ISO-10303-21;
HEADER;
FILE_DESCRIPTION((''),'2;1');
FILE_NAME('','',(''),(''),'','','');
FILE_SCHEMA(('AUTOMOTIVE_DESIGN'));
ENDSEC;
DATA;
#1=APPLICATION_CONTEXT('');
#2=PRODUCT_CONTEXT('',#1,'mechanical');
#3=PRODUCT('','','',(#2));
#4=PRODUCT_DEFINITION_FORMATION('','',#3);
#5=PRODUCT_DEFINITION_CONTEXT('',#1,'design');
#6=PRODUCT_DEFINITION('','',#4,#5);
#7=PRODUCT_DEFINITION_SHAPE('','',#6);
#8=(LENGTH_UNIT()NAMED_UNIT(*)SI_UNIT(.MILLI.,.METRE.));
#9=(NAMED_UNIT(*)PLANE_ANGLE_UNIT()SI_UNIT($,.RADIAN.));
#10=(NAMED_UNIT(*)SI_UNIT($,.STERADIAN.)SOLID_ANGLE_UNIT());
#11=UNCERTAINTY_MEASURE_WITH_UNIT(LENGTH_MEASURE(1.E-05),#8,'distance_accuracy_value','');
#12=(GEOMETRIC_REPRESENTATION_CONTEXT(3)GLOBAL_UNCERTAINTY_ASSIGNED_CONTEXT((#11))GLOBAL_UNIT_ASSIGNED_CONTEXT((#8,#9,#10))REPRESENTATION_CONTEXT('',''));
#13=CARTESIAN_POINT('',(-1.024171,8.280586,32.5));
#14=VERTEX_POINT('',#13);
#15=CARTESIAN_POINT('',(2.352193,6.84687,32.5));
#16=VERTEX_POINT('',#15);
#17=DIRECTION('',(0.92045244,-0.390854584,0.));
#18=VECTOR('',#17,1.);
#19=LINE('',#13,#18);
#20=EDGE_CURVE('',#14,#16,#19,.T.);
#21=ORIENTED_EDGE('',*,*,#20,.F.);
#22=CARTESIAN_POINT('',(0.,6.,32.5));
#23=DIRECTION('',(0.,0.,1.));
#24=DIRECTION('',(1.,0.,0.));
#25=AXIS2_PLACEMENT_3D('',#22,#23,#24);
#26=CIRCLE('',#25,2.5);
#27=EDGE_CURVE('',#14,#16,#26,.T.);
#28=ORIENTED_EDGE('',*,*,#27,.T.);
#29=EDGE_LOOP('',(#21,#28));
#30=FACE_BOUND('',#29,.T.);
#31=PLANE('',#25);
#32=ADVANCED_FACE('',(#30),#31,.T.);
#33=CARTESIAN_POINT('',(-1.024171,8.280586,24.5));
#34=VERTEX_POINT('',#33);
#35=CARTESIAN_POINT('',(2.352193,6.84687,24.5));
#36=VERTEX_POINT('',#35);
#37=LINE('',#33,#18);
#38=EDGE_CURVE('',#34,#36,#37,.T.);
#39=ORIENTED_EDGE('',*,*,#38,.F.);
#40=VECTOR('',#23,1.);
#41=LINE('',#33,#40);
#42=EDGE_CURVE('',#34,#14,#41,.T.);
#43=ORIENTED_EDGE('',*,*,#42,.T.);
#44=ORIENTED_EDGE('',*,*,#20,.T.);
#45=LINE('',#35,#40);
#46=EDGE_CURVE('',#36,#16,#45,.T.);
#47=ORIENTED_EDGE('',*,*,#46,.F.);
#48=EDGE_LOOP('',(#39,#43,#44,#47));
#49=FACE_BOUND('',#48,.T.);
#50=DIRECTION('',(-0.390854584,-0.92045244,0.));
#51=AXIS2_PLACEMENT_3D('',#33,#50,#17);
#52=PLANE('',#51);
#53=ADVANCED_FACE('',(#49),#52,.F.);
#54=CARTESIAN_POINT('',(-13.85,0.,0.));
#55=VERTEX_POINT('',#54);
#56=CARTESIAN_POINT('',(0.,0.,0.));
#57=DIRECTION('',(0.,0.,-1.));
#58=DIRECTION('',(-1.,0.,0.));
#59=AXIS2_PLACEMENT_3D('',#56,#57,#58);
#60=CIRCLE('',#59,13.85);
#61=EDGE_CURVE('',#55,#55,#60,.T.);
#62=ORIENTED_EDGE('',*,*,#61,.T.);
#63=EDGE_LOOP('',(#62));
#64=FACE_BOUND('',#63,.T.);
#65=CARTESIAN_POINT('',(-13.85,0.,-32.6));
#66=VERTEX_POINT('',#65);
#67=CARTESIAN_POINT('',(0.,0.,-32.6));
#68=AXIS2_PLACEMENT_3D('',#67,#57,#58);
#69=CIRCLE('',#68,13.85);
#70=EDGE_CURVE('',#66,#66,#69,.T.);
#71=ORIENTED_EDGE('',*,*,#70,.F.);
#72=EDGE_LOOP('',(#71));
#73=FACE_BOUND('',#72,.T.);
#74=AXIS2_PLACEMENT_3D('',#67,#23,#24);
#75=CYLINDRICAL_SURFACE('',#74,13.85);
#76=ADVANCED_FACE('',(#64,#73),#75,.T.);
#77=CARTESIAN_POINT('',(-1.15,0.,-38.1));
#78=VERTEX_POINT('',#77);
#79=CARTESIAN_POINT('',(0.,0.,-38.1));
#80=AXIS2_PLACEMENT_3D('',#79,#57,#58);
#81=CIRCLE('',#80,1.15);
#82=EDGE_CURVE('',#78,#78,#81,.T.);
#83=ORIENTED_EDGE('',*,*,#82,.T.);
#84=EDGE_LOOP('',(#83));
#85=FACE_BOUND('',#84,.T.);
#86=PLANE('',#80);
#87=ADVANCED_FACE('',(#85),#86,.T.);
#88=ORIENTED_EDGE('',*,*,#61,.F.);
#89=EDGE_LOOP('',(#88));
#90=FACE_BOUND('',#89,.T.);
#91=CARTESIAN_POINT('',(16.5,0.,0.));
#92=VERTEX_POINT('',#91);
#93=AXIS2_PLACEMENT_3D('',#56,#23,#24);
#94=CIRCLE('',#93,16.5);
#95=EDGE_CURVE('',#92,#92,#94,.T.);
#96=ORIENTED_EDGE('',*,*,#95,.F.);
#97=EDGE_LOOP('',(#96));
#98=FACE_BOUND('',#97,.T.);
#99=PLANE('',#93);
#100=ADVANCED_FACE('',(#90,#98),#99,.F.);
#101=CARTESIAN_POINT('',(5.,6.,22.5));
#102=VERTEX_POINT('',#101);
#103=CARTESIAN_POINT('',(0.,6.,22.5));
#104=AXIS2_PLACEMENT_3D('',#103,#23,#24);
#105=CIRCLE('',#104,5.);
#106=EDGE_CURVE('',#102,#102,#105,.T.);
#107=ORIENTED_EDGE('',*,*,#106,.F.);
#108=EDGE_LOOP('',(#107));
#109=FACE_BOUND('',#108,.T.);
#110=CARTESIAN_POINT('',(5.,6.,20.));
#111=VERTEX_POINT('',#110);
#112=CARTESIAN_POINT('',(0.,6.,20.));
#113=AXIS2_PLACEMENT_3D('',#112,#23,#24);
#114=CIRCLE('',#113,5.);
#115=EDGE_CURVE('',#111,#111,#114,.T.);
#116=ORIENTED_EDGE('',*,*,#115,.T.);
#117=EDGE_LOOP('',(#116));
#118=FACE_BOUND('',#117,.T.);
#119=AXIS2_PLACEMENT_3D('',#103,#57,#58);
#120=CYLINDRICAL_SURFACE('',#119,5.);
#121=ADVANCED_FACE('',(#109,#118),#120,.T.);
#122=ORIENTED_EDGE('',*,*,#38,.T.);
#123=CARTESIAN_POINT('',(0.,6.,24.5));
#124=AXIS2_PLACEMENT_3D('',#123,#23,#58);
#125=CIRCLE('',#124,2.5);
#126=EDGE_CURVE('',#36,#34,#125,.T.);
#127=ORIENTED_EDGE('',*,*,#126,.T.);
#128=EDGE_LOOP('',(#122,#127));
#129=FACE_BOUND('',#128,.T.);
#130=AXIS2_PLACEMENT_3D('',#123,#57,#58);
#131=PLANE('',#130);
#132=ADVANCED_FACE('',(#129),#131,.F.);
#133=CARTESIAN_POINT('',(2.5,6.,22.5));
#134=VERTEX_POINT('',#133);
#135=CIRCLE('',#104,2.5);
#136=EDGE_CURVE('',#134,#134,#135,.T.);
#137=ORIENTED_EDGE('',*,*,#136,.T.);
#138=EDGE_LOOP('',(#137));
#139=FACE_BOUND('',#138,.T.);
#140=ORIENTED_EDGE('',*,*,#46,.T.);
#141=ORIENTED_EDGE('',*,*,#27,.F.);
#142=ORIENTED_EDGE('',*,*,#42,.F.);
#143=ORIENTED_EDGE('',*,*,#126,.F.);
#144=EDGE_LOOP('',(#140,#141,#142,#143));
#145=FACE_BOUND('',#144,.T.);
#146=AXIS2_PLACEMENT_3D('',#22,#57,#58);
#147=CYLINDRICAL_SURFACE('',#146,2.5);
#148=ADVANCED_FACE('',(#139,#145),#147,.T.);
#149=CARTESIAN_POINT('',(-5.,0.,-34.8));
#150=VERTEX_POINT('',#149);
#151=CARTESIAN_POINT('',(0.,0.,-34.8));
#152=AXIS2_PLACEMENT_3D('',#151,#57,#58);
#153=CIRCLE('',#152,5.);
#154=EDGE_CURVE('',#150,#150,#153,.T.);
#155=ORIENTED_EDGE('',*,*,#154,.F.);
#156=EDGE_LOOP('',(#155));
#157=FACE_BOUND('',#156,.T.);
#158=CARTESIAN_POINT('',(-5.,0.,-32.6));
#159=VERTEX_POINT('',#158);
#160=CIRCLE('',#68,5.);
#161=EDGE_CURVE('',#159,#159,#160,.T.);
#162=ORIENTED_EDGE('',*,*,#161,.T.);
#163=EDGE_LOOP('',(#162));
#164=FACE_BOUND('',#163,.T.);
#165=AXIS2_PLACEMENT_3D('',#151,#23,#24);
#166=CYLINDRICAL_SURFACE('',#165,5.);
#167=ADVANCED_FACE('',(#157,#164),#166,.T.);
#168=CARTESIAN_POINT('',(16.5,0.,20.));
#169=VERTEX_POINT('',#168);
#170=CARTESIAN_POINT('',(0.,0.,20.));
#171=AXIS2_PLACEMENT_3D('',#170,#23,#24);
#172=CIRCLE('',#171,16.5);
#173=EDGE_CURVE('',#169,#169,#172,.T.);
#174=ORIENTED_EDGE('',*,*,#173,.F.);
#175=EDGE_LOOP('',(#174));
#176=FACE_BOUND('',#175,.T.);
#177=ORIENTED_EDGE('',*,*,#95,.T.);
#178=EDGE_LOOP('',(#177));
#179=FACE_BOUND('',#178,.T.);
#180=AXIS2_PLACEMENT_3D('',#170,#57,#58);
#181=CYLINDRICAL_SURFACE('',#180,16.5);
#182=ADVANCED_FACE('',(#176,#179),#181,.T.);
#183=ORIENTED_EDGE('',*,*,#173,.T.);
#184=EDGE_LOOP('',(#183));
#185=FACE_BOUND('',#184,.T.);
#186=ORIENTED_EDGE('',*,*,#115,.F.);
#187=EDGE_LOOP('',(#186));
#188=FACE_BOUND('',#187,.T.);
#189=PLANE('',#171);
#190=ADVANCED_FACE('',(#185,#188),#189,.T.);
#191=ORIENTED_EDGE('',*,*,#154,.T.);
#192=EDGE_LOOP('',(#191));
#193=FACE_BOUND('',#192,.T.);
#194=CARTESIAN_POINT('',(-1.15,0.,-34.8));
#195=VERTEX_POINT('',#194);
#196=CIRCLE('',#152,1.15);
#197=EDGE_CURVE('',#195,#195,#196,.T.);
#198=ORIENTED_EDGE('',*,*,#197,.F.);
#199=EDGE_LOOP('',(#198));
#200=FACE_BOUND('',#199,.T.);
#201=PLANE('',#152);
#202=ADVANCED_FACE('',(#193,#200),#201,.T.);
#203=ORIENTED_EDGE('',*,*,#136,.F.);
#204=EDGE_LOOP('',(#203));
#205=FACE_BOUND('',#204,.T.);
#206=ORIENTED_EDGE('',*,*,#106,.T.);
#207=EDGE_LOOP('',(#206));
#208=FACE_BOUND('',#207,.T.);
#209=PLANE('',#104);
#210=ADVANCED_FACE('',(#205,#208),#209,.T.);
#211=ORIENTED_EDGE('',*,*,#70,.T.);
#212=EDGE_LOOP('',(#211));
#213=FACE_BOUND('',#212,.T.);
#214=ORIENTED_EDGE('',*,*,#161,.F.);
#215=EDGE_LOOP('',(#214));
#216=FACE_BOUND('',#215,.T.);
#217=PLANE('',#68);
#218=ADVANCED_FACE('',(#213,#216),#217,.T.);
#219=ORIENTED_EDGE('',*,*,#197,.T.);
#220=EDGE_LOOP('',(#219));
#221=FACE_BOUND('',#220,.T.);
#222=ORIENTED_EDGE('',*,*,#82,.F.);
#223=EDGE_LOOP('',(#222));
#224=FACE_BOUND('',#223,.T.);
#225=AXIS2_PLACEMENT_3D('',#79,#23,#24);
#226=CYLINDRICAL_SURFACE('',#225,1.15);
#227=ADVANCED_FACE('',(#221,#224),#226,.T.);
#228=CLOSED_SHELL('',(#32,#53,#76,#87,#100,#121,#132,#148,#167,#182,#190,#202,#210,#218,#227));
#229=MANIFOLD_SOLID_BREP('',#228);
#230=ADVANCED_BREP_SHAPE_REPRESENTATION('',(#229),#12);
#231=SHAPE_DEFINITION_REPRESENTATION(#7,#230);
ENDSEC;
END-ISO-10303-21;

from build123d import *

# Parameters (mm, degrees)
SKETCH1_R           = 16.5
BOSS_EXTRUDE1_DEPTH = 20
SKETCH2_R           = 13.85
BOSS_EXTRUDE2_DEPTH = 32.6
SKETCH3_R           = 5
BOSS_EXTRUDE3_DEPTH = 2.2
SKETCH4_R           = 1.15
BOSS_EXTRUDE4_DEPTH = 3.3
SKETCH5_R           = 5
BOSS_EXTRUDE5_DEPTH = 2.5
SKETCH6_R           = 2.5
BOSS_EXTRUDE6_DEPTH = 10
CUT_EXTRUDE1_START  = -8
CUT_EXTRUDE1_DEPTH  = 8


with BuildPart() as part:
    # Sketch1 → Boss-Extrude1 (new body)
    with BuildSketch(Plane.XY):
        Circle(SKETCH1_R)
    extrude(amount=BOSS_EXTRUDE1_DEPTH)

    # Sketch2 → Boss-Extrude2 (add)
    with BuildSketch(Plane(origin=(0, 0, 0), x_dir=(-1, 0, 0), z_dir=(0, 0, -1))):
        Circle(SKETCH2_R)
    extrude(amount=BOSS_EXTRUDE2_DEPTH)

    # Sketch3 → Boss-Extrude3 (add)
    with BuildSketch(Plane(origin=(0, 0, -32.6), x_dir=(-1, 0, 0), z_dir=(0, 0, -1))):
        Circle(SKETCH3_R)
    extrude(amount=BOSS_EXTRUDE3_DEPTH)

    # Sketch4 → Boss-Extrude4 (add)
    with BuildSketch(Plane(origin=(0, 0, -34.8), x_dir=(-1, 0, 0), z_dir=(0, 0, -1))):
        Circle(SKETCH4_R)
    extrude(amount=BOSS_EXTRUDE4_DEPTH)

    # Sketch5 → Boss-Extrude5 (add)
    with BuildSketch(Plane.XY.offset(20)):
        with Locations((0, 6)):
            Circle(SKETCH5_R)
    extrude(amount=BOSS_EXTRUDE5_DEPTH)

    # Sketch6 → Boss-Extrude6 (add)
    with BuildSketch(Plane.XY.offset(22.5)):
        with Locations((0, 6)):
            Circle(SKETCH6_R)
    extrude(amount=BOSS_EXTRUDE6_DEPTH)

    # Sketch7 → Cut-Extrude1 (cut)
    with BuildSketch(Plane.XY.offset(32.5).offset(CUT_EXTRUDE1_START)):
        with BuildLine():
            Line((-1.024171461, 8.280586069), (2.352192857, 6.84686998))
            ThreePointArc((2.352192857, 6.84686998), (0.977136461, 8.301131099), (-1.024171461, 8.280586069))
        make_face()
    extrude(amount=CUT_EXTRUDE1_DEPTH, mode=Mode.SUBTRACT)


solid = part.part
